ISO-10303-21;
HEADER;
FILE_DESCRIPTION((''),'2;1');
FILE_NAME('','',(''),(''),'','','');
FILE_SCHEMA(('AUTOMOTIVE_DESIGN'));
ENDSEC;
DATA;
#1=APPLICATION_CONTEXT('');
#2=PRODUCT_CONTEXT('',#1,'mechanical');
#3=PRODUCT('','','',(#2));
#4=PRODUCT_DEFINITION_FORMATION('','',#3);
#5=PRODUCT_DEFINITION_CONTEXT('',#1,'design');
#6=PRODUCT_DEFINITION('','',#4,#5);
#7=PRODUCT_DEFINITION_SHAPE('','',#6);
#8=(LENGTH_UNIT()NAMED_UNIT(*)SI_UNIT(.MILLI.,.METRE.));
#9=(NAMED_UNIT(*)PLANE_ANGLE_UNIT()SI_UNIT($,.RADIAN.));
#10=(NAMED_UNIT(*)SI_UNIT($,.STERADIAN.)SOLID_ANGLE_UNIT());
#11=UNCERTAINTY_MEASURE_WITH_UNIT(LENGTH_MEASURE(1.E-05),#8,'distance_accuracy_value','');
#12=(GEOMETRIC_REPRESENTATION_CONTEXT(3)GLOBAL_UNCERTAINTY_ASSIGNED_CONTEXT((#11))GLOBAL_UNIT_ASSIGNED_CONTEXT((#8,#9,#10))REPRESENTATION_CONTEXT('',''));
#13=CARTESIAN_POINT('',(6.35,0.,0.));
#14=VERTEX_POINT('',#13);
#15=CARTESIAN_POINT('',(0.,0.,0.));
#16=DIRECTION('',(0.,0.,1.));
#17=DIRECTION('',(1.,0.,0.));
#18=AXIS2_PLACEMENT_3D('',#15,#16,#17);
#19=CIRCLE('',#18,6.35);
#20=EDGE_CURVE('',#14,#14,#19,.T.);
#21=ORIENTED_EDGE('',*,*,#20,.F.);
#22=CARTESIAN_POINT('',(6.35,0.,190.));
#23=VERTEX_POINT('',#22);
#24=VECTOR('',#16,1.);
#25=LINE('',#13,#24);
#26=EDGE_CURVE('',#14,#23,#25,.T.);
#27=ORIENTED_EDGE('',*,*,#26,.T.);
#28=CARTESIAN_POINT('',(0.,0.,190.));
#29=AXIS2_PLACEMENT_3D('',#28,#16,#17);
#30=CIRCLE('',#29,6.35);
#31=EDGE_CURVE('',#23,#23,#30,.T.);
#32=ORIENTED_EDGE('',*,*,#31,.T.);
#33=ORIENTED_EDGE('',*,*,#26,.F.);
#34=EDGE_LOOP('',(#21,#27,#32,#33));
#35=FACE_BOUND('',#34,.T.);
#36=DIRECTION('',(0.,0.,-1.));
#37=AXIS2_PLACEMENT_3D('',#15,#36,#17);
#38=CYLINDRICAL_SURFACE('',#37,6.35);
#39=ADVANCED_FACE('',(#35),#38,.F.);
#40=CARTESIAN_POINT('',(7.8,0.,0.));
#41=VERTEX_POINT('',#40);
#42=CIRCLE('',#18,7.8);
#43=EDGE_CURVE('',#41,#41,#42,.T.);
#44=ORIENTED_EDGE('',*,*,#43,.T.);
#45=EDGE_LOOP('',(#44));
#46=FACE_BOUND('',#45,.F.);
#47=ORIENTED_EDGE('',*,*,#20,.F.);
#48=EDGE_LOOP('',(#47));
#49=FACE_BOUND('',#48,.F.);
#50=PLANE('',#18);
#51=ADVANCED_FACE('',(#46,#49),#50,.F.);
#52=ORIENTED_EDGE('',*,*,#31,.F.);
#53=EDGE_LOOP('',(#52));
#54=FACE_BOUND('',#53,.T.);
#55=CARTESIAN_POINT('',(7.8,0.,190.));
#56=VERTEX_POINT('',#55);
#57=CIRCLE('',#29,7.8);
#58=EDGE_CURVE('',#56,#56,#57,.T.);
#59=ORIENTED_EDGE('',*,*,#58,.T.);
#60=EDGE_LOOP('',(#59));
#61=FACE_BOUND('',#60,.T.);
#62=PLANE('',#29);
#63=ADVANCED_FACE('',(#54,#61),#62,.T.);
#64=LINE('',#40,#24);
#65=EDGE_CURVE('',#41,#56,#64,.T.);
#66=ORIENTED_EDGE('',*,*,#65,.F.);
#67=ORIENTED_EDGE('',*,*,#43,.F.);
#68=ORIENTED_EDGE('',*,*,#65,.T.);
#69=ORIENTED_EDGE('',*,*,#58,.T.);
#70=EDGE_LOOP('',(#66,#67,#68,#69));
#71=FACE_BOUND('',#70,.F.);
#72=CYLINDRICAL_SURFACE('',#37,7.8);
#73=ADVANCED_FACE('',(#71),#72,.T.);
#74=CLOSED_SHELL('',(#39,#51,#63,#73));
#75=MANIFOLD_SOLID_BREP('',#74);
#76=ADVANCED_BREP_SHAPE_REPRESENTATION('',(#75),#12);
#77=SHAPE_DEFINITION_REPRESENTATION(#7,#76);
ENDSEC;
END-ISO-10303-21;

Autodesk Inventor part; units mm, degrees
ref_plane "YZ Plane" through (0, 0, 0) normal (1, 0, 0) x (0, 1, 0)
ref_plane "XZ Plane" through (0, 0, 0) normal (0, 1, 0) x (-1, 0, 0)
ref_plane "XY Plane" through (0, 0, 0) normal (0, 0, 1) x (1, 0, 0)
sketch "Sketch1" plane through (0, 0, 0) normal (0, 0, 1) x (1, 0, 0)
  circle A0 centre (0, 0) radius 6.35
  circle A1 centre (0, 0) radius 7.8
  dimension "d0" = 12.7
  dimension "d1" = 15.6
extrude "Extrusion1" add sketch "Sketch1" along normal blind 190
properties part number "Tubo5" material "PVC, Unplasticized"
